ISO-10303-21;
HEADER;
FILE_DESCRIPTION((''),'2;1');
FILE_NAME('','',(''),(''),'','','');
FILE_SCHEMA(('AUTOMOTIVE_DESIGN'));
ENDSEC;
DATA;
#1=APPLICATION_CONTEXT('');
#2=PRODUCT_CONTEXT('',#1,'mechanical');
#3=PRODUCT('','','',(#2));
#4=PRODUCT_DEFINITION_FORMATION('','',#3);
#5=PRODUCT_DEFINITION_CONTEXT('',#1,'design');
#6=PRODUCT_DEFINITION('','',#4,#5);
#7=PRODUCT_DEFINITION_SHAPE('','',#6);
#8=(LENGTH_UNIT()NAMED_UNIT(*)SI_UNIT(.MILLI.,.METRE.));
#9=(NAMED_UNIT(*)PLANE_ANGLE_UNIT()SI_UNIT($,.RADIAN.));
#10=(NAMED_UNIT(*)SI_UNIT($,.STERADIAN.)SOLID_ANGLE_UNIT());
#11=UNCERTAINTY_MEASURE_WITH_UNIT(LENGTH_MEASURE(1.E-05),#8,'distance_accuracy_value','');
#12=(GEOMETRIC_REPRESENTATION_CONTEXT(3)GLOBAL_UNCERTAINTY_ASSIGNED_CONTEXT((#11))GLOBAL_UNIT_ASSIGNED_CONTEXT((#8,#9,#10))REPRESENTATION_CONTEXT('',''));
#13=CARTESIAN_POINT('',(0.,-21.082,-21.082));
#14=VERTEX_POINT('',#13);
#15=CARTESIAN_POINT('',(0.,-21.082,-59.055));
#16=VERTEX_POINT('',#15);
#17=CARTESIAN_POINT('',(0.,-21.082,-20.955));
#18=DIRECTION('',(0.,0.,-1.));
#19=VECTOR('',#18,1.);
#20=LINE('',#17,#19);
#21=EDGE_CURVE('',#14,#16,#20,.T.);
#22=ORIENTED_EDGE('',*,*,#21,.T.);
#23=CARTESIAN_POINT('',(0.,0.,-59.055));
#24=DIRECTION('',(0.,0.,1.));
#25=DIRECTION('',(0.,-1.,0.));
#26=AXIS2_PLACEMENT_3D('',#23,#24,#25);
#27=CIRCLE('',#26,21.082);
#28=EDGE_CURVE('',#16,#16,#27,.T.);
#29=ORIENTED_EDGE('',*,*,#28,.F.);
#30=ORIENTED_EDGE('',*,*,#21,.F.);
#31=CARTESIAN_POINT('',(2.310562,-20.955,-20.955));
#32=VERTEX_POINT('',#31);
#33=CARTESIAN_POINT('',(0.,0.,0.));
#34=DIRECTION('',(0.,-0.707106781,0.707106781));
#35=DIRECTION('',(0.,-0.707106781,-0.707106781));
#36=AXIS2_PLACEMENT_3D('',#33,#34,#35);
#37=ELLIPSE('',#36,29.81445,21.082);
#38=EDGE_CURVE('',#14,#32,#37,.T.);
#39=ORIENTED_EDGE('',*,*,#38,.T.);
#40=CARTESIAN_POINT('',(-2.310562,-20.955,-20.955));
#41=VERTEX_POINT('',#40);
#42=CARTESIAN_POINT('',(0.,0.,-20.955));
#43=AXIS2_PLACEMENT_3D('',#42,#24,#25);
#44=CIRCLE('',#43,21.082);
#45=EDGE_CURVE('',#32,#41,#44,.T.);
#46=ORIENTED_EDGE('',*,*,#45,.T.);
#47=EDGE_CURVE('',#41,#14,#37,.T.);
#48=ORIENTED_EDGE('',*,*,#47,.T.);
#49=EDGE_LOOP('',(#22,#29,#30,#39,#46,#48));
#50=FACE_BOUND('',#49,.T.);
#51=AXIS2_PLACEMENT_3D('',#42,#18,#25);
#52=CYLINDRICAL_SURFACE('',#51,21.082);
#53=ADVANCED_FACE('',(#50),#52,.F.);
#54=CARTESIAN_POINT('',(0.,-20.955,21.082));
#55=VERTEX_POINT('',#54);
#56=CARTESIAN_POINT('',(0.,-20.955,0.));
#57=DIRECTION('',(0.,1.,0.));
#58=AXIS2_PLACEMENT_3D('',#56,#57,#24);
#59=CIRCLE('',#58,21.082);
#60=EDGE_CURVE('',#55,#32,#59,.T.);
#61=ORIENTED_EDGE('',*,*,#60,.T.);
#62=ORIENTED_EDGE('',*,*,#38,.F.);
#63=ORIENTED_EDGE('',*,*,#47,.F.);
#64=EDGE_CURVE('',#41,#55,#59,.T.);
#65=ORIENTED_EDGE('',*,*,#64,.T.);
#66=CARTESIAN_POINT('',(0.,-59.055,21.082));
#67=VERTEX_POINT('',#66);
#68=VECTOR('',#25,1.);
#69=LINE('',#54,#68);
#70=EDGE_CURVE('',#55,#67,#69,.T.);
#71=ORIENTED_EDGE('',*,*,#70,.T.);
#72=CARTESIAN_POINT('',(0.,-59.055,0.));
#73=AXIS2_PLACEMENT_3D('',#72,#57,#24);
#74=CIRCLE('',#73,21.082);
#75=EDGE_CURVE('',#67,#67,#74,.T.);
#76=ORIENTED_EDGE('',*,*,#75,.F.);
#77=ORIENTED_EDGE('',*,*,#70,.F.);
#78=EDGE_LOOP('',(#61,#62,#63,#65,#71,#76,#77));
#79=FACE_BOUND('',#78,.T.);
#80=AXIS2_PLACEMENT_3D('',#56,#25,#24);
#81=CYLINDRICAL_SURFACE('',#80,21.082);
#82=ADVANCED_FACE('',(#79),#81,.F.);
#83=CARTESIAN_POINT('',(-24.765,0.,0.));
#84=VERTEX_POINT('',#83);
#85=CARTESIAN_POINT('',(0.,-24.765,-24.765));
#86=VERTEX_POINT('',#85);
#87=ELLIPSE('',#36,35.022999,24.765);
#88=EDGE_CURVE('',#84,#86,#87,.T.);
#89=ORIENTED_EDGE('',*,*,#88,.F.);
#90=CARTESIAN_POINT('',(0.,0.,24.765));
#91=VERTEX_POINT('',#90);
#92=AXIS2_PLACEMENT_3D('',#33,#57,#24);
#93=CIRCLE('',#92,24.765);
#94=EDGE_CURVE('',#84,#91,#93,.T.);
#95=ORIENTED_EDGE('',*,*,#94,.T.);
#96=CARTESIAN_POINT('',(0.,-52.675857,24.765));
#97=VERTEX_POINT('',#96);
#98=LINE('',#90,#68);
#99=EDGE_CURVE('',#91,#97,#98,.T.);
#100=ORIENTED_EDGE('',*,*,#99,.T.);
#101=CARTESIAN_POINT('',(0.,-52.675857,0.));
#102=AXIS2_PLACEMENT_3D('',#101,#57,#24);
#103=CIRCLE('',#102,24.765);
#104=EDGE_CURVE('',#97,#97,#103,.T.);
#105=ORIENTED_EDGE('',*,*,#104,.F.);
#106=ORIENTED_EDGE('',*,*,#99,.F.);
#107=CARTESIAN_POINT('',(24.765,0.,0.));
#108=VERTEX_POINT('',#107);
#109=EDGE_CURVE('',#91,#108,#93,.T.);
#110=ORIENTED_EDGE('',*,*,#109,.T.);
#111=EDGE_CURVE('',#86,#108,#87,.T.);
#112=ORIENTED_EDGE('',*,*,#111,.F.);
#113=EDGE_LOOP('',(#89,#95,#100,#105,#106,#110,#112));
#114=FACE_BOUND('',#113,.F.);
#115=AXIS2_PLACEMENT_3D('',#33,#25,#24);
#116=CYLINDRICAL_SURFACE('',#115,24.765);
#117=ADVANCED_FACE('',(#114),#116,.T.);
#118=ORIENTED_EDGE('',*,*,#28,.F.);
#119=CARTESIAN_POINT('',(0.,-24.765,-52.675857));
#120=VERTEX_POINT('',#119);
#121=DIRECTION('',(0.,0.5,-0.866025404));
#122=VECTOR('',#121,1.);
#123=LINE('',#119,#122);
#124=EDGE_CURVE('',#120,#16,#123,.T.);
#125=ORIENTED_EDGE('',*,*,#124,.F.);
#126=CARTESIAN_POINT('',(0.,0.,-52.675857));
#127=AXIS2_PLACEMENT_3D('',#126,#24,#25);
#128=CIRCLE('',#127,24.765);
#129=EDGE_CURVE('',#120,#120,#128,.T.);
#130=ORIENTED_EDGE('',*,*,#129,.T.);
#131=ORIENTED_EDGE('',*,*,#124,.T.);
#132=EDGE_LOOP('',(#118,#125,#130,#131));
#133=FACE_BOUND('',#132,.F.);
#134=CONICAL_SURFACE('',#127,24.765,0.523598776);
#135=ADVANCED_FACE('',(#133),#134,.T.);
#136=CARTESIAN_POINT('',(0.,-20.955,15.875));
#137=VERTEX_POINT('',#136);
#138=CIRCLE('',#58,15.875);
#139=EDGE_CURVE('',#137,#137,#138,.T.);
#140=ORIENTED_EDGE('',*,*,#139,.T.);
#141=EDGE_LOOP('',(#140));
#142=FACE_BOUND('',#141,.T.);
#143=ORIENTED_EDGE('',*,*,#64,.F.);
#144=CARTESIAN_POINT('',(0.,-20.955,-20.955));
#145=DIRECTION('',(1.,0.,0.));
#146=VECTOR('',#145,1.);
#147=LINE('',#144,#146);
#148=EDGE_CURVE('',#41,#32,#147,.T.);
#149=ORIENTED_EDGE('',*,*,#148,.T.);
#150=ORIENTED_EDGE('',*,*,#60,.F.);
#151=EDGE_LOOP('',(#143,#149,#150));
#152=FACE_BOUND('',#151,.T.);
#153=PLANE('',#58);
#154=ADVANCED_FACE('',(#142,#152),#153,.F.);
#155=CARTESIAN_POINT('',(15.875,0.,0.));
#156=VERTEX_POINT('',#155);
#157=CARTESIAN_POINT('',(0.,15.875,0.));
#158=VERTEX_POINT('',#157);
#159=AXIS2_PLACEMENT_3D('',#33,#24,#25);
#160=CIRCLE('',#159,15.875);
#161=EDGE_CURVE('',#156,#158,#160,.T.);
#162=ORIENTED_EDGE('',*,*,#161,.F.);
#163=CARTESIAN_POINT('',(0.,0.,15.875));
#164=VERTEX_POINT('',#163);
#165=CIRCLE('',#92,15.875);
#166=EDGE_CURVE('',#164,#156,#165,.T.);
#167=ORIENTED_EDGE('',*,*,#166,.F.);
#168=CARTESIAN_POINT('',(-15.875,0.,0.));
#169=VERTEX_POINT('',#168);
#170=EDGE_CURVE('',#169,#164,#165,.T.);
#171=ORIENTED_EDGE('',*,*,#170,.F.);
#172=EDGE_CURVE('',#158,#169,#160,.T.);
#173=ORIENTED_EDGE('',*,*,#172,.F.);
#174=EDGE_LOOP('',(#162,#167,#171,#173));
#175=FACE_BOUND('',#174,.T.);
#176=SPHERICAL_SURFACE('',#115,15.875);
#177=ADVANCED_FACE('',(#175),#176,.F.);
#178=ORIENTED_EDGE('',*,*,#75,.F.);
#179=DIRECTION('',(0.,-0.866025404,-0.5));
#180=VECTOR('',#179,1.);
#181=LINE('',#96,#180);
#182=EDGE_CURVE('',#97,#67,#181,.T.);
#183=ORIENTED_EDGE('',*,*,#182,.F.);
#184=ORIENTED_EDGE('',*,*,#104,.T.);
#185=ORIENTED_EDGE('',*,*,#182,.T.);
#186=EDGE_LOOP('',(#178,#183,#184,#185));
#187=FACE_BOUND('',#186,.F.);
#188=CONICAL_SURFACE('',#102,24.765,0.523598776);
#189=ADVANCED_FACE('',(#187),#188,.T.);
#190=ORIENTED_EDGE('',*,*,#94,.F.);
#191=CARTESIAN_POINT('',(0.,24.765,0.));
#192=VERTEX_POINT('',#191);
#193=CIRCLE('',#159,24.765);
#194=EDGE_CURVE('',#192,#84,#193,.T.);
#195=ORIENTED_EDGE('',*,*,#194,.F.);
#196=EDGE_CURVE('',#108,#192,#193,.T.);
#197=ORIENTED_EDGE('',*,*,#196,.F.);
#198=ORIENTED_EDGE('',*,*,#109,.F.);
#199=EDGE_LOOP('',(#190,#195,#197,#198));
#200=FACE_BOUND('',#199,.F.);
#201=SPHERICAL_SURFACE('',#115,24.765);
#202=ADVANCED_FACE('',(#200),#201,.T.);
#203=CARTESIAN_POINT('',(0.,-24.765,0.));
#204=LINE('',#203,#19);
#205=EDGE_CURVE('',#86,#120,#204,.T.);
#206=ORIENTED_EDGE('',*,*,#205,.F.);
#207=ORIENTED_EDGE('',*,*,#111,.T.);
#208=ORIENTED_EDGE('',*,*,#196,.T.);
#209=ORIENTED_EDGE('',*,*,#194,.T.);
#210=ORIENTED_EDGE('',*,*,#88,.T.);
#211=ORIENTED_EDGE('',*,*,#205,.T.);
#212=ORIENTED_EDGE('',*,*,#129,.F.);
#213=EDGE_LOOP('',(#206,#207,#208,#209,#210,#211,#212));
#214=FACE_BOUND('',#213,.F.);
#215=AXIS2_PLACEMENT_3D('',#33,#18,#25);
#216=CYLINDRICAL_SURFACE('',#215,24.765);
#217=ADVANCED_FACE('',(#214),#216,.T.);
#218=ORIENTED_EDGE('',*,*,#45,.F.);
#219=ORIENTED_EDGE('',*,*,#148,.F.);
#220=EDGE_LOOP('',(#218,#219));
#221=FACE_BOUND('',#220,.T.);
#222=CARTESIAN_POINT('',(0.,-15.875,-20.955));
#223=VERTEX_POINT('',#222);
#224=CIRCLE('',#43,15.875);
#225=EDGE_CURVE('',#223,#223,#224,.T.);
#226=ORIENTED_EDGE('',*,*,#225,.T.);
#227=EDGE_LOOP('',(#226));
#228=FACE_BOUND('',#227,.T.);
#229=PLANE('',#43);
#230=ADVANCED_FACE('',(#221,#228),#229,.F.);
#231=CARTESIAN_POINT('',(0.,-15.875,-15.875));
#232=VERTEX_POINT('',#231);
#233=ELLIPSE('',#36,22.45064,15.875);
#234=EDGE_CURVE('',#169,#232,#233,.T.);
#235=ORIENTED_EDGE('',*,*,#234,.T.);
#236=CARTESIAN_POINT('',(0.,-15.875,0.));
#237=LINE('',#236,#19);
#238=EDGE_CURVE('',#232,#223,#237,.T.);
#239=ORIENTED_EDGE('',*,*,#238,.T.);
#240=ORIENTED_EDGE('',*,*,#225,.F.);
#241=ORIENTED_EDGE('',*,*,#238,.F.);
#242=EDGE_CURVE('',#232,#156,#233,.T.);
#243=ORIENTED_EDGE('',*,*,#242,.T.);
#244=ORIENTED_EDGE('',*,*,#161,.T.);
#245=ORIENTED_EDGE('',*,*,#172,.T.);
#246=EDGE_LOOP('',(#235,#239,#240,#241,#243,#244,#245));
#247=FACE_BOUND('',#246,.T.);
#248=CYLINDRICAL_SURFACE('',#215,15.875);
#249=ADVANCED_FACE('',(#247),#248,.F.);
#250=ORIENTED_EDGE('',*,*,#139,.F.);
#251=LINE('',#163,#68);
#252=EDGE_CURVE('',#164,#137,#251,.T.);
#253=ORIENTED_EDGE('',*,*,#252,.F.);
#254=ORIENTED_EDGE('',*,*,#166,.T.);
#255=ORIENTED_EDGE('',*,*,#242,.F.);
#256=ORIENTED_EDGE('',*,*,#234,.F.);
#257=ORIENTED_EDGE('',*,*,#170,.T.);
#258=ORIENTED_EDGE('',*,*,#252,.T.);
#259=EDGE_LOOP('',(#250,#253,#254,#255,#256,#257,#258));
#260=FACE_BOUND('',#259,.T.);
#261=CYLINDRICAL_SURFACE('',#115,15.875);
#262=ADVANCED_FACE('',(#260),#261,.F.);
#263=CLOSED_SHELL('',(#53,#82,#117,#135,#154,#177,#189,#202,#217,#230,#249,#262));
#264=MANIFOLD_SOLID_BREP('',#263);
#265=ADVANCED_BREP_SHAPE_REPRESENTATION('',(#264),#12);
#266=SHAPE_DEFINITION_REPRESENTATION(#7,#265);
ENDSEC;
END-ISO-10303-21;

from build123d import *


with BuildPart() as f2:
    # F0 (on Right) → F2 (revolve)
    with BuildSketch(Plane.YZ):
        with BuildLine():
            Line((-52.6758568757, 24.765), (-59.055, 21.082))
            Line((-59.055, 21.082), (-20.955, 21.082))
            Line((-20.955, 21.082), (-20.955, 15.875))
            Line((-20.955, 15.875), (0, 15.875))
            ThreePointArc((0, 15.875), (11.2253201513, 11.2253201513), (15.875, 0))
            Line((15.875, 0), (24.765, 0))
            ThreePointArc((24.765, 0), (17.5114994361, 17.5114994361), (0, 24.765))
            Line((0, 24.765), (-52.6758568757, 24.765))
        make_face()
        with BuildLine():
            Line((-20.955, 21.082), (-59.055, 21.082))
            Line((-59.055, 21.082), (-59.055, 0))
            Line((-59.055, 0), (0, 0))
            Line((0, 0), (10.5189766587, 0))
            Line((10.5189766587, 0), (15.875, 0))
            ThreePointArc((15.875, 0), (11.2253201513, 11.2253201513), (0, 15.875))
            Line((0, 15.875), (-20.955, 15.875))
            Line((-20.955, 15.875), (-20.955, 21.082))
        make_face()
    revolve(axis=Axis((0, -21.59, 0), (0, 1, 0)))

    # F1 (on Right) → F3 (revolve)
    with BuildSketch(Plane.YZ):
        with BuildLine():
            Line((-24.765, -52.6758568757), (-21.082, -59.055))
            Line((-21.082, -59.055), (-21.082, -20.955))
            Line((-21.082, -20.955), (-15.875, -20.955))
            Line((-15.875, -20.955), (-15.875, 0))
            ThreePointArc((-15.875, 0), (-11.2253201513, 11.2253201513), (0, 15.875))
            Line((0, 15.875), (0, 24.765))
            ThreePointArc((0, 24.765), (-17.5114994361, 17.5114994361), (-24.765, 0))
            Line((-24.765, 0), (-24.765, -52.6758568757))
        make_face()
        with BuildLine():
            Line((-21.082, -20.955), (-21.082, -59.055))
            Line((-21.082, -59.055), (0, -59.055))
            Line((0, -59.055), (0, 0))
            Line((0, 0), (0, 15.875))
            ThreePointArc((0, 15.875), (-11.2253201513, 11.2253201513), (-15.875, 0))
            Line((-15.875, 0), (-15.875, -20.955))
            Line((-15.875, -20.955), (-21.082, -20.955))
        make_face()
    revolve(axis=Axis((0, 0, -21.59), (0, 0, 1)))

    # F0 (on Right) → F4 (revolve, cut)
    with BuildSketch(Plane.YZ):
        with BuildLine():
            Line((-20.955, 21.082), (-59.055, 21.082))
            Line((-59.055, 21.082), (-59.055, 0))
            Line((-59.055, 0), (0, 0))
            Line((0, 0), (10.5189766587, 0))
            Line((10.5189766587, 0), (15.875, 0))
            ThreePointArc((15.875, 0), (11.2253201513, 11.2253201513), (0, 15.875))
            Line((0, 15.875), (-20.955, 15.875))
            Line((-20.955, 15.875), (-20.955, 21.082))
        make_face()
    revolve(axis=Axis((0, -21.59, 0), (0, 1, 0)), mode=Mode.SUBTRACT)

    # F1 (on Right) → F5 (revolve, cut)
    with BuildSketch(Plane.YZ):
        with BuildLine():
            Line((-21.082, -20.955), (-21.082, -59.055))
            Line((-21.082, -59.055), (0, -59.055))
            Line((0, -59.055), (0, 0))
            Line((0, 0), (0, 15.875))
            ThreePointArc((0, 15.875), (-11.2253201513, 11.2253201513), (-15.875, 0))
            Line((-15.875, 0), (-15.875, -20.955))
            Line((-15.875, -20.955), (-21.082, -20.955))
        make_face()
    revolve(axis=Axis((0, 0, -21.59), (0, 0, 1)), mode=Mode.SUBTRACT)


solid = f2.part
